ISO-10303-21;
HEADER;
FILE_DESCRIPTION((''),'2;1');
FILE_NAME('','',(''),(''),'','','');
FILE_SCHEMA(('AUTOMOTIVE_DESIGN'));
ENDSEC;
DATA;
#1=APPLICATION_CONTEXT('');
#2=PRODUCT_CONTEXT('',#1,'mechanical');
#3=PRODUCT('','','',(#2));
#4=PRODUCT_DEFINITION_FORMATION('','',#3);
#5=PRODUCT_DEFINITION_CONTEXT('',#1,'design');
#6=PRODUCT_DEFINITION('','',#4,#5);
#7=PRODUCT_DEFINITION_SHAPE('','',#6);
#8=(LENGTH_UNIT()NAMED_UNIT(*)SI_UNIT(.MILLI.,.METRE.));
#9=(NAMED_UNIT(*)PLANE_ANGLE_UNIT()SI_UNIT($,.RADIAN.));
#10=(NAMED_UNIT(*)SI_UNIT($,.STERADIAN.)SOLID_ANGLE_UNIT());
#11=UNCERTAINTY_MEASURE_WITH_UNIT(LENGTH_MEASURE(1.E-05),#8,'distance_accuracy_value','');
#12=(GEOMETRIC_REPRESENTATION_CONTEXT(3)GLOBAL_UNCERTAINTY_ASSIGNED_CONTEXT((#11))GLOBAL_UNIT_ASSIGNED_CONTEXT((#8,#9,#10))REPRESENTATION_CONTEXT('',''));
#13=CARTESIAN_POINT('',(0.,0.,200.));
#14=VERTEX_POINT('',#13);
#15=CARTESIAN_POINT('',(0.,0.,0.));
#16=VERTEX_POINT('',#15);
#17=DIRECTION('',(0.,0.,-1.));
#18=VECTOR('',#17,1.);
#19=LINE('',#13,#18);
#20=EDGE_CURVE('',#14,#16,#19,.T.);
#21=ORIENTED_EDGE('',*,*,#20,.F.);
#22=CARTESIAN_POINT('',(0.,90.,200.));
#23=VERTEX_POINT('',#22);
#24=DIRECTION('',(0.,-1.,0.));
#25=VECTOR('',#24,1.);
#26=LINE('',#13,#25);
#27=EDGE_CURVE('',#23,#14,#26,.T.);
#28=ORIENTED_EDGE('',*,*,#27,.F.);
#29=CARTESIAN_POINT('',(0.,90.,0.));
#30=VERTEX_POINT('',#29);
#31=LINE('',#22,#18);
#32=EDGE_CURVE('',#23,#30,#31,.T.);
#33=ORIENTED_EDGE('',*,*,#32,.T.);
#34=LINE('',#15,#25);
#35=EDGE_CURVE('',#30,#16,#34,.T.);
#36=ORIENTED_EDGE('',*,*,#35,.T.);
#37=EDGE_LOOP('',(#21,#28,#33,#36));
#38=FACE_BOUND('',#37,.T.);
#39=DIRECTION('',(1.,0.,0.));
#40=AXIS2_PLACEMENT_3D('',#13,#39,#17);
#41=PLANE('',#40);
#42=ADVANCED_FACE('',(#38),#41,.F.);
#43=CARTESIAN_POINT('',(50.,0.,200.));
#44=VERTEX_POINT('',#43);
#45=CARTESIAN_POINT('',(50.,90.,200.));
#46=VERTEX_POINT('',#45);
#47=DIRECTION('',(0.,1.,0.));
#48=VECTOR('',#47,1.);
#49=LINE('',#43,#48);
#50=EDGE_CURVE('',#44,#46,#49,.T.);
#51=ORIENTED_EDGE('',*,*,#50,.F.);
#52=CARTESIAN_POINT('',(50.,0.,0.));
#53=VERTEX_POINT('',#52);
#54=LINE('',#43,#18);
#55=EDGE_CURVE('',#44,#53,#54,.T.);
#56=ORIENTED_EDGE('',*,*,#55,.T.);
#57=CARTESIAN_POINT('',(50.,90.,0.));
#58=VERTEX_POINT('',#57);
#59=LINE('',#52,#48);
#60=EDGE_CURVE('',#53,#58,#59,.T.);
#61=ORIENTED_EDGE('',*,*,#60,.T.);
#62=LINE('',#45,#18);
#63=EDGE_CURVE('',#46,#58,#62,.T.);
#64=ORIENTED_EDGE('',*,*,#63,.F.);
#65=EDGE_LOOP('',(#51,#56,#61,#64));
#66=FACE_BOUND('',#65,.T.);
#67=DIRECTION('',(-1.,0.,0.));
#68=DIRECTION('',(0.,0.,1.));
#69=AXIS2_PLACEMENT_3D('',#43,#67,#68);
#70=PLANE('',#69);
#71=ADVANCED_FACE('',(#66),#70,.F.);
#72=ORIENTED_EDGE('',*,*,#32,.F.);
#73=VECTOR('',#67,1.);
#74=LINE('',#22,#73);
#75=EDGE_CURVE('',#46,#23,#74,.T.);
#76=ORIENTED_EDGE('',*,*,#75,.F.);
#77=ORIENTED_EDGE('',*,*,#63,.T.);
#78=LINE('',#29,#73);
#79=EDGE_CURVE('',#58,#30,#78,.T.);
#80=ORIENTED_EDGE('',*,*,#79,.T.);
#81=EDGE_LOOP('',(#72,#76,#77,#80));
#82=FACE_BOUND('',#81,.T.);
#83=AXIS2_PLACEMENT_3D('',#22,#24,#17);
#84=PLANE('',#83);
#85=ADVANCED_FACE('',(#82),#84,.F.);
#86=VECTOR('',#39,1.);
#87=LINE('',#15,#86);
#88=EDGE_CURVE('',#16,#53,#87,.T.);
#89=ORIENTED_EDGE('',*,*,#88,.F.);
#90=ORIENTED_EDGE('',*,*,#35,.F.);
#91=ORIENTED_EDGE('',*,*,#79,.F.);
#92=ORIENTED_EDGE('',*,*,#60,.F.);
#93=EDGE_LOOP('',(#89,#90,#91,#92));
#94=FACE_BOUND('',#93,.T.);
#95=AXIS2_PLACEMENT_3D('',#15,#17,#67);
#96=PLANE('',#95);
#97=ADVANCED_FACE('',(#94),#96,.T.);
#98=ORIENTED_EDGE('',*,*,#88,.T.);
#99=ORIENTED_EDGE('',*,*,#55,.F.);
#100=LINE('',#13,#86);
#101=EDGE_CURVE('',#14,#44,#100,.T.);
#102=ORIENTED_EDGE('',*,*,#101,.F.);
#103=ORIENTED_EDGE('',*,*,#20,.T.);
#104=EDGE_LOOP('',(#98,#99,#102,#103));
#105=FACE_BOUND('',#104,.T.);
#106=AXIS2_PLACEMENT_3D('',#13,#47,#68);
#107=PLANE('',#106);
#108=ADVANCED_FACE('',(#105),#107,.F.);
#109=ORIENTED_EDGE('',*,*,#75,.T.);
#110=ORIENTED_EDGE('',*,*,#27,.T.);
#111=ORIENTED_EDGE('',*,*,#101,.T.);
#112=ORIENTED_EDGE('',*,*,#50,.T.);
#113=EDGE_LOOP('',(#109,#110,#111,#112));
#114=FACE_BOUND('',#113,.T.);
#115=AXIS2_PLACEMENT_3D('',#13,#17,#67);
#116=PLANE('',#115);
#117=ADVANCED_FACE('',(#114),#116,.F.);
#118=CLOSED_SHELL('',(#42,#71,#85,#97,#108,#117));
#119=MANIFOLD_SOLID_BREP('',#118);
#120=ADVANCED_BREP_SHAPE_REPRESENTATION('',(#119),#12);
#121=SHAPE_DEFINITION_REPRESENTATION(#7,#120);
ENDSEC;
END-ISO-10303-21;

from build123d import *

# Parameters (mm, degrees)
ESBO_O1_W                = 50
ESBO_O1_H                = 90
RESSALTO_EXTRUS_O1_DEPTH = 200


with BuildPart() as part:
    # Esboço1 → Ressalto-extrusão1 (new body)
    with BuildSketch(Plane.XY):
        with Locations((25, 45)):
            Rectangle(ESBO_O1_W, ESBO_O1_H)
    extrude(amount=RESSALTO_EXTRUS_O1_DEPTH)


solid = part.part
